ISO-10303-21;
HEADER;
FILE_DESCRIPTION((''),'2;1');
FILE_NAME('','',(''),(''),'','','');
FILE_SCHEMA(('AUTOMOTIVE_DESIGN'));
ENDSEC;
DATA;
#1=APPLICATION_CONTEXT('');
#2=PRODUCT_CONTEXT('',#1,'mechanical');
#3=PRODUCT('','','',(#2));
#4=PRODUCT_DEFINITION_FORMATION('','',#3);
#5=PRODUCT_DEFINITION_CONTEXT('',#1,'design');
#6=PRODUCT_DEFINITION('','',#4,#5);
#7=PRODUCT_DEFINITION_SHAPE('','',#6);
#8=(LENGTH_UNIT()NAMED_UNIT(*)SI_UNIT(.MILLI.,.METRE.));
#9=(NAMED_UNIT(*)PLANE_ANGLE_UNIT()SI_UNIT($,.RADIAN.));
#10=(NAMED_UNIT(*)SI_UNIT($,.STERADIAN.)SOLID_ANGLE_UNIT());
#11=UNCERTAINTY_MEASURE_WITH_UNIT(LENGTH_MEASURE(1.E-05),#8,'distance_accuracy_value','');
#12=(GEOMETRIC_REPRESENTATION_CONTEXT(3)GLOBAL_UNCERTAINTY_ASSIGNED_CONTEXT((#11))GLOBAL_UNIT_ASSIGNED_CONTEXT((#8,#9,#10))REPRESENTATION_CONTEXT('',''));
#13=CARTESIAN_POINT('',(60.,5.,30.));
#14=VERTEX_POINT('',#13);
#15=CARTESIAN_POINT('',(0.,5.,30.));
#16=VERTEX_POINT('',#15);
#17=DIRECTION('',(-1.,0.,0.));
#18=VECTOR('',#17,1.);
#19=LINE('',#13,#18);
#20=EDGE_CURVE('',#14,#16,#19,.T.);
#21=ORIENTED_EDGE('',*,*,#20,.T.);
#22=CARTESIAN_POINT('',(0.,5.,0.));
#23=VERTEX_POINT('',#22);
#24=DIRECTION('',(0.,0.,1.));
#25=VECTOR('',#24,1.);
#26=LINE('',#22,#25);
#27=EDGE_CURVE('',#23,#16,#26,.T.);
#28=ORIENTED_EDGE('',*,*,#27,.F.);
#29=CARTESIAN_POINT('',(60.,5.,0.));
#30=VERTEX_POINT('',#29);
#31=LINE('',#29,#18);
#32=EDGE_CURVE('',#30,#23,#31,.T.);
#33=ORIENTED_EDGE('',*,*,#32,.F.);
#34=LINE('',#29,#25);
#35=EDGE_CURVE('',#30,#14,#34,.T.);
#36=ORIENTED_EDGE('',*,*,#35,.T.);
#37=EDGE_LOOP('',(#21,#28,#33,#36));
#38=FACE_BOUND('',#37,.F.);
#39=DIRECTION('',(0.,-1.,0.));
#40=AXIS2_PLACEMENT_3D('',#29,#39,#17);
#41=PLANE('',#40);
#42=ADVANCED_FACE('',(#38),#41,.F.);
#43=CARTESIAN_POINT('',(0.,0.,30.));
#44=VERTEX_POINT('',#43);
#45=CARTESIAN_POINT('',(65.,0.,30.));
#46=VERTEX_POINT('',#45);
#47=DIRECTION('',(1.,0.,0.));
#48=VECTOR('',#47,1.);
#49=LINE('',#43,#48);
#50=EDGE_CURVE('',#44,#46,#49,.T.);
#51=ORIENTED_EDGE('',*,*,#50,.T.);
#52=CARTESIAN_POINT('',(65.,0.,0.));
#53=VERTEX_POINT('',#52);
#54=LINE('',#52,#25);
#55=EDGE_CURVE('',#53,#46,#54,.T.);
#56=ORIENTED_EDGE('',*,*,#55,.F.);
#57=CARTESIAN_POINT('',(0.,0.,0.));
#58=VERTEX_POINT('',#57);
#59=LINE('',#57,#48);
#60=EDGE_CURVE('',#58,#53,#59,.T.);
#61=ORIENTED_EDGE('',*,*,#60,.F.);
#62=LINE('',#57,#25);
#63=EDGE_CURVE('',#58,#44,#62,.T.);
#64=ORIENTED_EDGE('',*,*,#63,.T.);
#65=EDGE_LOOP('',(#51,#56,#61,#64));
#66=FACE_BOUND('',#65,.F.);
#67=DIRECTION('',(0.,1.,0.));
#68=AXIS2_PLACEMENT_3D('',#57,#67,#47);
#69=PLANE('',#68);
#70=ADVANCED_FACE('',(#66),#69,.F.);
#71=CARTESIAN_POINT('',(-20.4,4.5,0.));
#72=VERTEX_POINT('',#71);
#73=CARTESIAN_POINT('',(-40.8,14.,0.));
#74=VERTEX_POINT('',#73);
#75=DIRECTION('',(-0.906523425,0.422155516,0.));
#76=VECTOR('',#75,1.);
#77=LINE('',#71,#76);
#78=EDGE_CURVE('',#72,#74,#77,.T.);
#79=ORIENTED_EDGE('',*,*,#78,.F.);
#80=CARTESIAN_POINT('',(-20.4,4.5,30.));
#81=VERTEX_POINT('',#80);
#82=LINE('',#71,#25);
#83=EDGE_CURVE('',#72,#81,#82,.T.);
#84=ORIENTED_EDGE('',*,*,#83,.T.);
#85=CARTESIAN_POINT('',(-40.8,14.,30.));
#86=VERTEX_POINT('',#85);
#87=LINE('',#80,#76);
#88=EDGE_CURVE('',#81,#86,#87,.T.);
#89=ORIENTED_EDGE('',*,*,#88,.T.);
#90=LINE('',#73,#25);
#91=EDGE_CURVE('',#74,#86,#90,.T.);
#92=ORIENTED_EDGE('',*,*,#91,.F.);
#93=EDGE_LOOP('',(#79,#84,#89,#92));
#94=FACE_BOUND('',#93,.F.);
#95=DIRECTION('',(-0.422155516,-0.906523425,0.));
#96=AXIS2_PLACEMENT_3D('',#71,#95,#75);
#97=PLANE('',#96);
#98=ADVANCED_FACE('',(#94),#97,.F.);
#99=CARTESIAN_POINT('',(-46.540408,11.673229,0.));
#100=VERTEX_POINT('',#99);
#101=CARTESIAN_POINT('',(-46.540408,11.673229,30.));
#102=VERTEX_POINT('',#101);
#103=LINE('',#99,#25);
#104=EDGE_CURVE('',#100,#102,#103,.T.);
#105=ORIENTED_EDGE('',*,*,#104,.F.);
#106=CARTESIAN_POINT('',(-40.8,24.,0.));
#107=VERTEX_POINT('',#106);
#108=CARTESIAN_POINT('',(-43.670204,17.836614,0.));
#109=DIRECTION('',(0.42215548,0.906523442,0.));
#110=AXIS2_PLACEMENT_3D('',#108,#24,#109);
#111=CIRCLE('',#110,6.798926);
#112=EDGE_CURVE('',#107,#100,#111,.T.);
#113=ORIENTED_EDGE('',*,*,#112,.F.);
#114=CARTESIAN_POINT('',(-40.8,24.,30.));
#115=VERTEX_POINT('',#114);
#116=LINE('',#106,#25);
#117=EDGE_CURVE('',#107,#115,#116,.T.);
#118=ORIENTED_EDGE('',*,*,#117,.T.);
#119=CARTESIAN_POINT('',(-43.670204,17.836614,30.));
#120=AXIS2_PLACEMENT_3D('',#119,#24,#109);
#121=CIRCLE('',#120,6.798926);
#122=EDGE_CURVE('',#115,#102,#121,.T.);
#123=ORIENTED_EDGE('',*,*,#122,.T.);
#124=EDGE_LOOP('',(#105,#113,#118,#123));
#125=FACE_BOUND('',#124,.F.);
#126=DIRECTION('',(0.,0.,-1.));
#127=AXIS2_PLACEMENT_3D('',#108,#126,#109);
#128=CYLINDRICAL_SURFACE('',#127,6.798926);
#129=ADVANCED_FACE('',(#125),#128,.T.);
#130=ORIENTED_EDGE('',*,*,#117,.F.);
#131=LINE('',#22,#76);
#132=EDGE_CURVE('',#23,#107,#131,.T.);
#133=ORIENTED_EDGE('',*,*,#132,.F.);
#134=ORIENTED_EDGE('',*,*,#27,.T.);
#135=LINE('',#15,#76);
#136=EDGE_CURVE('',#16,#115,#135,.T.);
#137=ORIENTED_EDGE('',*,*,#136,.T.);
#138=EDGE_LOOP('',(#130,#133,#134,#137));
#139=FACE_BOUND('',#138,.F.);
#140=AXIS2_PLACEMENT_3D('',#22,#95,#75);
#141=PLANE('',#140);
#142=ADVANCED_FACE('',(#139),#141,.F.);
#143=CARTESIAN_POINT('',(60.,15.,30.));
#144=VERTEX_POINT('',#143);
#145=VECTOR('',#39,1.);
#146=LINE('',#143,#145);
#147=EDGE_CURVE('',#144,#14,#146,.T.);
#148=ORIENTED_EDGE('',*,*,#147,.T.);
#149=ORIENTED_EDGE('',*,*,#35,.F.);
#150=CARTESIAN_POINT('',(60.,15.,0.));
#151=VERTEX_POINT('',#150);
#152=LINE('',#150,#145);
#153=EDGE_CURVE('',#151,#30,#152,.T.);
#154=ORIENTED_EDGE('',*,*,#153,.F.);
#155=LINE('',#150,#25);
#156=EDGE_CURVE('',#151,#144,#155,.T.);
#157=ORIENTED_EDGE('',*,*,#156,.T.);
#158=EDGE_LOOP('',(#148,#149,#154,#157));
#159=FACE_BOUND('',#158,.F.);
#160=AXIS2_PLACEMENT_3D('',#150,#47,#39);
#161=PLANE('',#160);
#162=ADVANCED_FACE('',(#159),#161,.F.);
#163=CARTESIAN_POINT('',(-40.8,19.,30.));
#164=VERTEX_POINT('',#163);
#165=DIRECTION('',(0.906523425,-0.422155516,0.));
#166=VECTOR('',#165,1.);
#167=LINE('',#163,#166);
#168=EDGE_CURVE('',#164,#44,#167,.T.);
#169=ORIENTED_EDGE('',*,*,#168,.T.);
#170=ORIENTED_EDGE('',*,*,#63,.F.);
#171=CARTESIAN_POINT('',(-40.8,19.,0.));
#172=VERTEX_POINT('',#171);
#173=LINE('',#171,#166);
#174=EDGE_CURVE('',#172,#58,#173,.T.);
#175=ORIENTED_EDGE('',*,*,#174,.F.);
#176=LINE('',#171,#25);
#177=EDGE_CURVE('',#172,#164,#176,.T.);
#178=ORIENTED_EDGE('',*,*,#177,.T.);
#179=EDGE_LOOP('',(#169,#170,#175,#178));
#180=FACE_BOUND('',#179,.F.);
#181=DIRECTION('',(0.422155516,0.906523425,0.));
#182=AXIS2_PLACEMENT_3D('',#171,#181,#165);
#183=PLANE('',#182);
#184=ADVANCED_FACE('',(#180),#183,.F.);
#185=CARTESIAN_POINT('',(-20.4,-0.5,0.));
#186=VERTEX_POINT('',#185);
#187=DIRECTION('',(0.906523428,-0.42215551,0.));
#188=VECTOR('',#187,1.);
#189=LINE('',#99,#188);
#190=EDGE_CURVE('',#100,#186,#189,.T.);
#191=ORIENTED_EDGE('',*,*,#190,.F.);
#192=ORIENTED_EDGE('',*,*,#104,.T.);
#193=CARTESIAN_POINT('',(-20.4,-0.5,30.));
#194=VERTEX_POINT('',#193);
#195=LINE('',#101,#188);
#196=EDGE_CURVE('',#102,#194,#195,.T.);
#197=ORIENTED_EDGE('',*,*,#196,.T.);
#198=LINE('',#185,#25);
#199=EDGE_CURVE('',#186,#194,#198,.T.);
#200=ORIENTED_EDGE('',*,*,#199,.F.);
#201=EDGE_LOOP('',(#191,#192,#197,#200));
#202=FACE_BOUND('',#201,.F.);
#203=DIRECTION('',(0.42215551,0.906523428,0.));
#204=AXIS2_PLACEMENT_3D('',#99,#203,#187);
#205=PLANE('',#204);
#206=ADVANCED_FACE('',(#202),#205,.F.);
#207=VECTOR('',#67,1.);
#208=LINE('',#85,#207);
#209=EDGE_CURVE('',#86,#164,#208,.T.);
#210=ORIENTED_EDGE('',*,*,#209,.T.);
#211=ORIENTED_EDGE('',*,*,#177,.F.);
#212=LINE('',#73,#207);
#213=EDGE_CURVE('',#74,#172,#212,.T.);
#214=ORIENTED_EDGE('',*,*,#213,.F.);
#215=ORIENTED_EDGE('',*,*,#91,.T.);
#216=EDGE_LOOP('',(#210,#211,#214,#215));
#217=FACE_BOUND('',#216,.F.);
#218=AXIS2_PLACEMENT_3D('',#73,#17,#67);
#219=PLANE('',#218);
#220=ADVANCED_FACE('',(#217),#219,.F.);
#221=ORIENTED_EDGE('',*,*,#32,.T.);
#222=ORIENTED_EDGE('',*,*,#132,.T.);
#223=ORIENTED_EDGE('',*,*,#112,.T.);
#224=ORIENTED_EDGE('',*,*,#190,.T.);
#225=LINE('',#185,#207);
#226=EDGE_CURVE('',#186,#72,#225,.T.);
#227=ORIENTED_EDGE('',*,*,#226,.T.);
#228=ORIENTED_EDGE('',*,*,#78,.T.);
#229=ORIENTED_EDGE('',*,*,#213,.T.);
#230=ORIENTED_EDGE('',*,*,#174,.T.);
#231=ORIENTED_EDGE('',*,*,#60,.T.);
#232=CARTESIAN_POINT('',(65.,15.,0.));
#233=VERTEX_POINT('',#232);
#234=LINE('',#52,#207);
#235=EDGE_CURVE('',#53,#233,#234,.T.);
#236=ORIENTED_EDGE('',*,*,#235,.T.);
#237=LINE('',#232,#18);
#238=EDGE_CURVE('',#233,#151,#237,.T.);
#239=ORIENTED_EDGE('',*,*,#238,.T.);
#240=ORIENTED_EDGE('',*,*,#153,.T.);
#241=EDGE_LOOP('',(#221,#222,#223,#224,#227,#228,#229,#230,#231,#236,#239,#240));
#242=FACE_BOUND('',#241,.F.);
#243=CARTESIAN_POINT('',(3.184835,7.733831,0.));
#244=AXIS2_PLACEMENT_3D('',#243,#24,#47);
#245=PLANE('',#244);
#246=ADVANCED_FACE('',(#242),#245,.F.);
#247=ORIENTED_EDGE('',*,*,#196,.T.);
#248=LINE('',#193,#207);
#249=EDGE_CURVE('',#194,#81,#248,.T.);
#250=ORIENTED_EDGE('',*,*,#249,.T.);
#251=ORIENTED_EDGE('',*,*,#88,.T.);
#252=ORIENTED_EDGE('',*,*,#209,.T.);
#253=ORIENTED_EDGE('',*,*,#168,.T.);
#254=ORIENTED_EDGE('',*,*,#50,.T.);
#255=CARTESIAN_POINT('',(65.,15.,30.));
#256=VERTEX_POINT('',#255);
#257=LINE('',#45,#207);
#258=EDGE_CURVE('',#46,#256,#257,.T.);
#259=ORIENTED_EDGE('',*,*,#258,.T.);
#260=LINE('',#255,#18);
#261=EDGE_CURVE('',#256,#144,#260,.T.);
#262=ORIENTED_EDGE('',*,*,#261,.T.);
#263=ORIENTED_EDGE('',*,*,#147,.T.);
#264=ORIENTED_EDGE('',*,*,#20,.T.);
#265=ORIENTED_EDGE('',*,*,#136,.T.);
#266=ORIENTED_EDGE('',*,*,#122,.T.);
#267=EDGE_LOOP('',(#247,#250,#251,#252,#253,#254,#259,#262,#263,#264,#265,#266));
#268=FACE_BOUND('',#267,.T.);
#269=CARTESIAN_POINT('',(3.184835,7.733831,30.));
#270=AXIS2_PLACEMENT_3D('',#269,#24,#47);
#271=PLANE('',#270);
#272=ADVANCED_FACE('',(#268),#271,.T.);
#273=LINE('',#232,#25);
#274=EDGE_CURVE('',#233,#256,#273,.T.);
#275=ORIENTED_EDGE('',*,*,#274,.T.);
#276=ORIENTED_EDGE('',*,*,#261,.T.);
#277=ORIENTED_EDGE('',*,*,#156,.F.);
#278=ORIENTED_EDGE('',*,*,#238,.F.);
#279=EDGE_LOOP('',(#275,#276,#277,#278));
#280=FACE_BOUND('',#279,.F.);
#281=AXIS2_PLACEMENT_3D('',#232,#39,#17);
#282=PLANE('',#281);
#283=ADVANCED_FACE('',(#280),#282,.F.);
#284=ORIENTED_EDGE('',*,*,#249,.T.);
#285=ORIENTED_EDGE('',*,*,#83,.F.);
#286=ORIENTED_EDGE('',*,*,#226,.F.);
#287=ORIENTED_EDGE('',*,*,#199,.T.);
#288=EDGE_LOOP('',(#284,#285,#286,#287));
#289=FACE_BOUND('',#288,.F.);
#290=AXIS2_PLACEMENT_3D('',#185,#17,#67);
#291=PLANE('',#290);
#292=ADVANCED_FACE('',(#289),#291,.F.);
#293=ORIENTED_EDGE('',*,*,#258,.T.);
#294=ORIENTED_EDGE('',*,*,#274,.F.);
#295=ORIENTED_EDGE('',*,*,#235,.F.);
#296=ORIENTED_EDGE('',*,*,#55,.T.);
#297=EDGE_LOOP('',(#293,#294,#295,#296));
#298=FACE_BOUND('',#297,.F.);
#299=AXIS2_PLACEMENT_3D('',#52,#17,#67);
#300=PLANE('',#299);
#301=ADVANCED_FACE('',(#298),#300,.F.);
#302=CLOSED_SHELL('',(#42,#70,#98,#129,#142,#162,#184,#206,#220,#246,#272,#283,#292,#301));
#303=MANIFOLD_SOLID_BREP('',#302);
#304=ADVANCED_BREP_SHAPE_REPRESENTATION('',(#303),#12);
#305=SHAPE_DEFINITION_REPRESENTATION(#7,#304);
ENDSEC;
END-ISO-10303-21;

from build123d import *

# Parameters (mm, degrees)
F1_DEPTH = 30


with BuildPart() as f1:
    # F0 (on Top) → F1 (new body)
    with BuildSketch(Plane.XY):
        with BuildLine():
            Line((-40.8, 19), (0, 0))
            Line((0, 0), (65, 0))
            Line((65, 0), (65, 15))
            Line((65, 15), (60, 15))
            Line((60, 15), (60, 5))
            Line((60, 5), (0, 5))
            Line((0, 5), (-40.8, 24))
            ThreePointArc((-40.8, 24), (-49.833589, 20.706819), (-46.540408, 11.673229))
            Line((-46.540408, 11.673229), (-20.4, -0.5))
            Line((-20.4, -0.5), (-20.4, 4.5))
            Line((-20.4, 4.5), (-40.8, 14))
            Line((-40.8, 14), (-40.8, 19))
        make_face()
    extrude(amount=F1_DEPTH)


solid = f1.part
